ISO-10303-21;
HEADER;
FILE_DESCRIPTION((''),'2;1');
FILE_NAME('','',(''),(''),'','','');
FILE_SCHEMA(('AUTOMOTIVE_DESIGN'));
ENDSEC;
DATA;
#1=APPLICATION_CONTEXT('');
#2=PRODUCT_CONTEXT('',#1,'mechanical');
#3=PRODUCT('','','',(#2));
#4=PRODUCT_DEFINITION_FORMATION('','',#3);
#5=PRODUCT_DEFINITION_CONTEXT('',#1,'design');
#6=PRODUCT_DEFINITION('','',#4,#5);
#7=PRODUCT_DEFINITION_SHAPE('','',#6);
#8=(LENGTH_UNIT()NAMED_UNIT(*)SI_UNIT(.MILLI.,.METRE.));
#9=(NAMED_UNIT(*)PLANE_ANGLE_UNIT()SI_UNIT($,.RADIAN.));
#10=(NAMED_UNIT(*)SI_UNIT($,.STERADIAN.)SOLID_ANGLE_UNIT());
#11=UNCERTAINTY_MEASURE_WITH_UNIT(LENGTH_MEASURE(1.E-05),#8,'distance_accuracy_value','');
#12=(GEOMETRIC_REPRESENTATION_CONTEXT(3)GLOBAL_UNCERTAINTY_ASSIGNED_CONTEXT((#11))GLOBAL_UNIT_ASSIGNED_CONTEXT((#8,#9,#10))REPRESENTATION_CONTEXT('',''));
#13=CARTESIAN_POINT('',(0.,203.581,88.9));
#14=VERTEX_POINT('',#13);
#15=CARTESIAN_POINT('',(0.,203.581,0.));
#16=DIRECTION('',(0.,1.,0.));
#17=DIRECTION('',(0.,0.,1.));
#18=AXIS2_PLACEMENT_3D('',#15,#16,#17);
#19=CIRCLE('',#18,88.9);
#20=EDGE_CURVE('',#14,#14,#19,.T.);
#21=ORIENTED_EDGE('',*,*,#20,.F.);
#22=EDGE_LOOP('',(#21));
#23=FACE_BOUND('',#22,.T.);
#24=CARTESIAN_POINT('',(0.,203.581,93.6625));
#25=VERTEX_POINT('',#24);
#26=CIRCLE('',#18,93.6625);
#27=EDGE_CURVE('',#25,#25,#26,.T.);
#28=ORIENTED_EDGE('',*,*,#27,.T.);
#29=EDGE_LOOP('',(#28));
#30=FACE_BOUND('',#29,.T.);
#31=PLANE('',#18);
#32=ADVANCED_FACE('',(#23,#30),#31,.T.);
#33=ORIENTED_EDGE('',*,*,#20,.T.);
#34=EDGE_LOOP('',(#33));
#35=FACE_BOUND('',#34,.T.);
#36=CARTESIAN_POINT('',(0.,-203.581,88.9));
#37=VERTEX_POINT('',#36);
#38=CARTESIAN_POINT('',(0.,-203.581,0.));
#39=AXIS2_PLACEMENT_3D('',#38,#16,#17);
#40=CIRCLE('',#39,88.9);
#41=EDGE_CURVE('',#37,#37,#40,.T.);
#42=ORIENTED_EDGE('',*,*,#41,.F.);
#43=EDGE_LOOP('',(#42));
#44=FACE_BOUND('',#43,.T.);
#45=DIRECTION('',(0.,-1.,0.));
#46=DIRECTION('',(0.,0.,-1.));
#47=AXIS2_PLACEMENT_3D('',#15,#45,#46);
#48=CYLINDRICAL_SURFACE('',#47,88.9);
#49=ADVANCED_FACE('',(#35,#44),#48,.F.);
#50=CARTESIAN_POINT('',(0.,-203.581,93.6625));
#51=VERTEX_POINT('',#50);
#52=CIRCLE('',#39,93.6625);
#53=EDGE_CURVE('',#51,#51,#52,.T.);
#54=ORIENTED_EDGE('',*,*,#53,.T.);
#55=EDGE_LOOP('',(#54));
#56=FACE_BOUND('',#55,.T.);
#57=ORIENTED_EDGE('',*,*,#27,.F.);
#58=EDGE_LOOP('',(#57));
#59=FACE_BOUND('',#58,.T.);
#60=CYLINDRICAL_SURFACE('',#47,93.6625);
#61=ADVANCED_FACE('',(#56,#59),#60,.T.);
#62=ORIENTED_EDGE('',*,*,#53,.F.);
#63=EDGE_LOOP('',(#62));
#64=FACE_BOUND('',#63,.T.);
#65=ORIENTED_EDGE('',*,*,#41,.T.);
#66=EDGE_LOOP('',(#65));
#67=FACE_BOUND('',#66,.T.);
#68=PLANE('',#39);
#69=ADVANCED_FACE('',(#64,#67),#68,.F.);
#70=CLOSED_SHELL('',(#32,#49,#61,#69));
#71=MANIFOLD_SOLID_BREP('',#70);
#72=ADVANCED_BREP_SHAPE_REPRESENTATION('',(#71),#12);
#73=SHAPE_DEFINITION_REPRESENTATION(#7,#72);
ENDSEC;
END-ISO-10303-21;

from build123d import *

# Parameters (mm, degrees)
SKETCH1_R           = 93.6625
SKETCH1_R_2         = 88.9
BOSS_EXTRUDE1_DEPTH = 203.581


with BuildPart() as part:
    # Sketch1 → Boss-Extrude1 (new body, symmetric)
    with BuildSketch(Plane(origin=(0, 0, 0), x_dir=(1, 0, 0), z_dir=(0, 1, 0))):
        Circle(SKETCH1_R)
        Circle(SKETCH1_R_2, mode=Mode.SUBTRACT)
    extrude(amount=BOSS_EXTRUDE1_DEPTH, both=True)


solid = part.part
